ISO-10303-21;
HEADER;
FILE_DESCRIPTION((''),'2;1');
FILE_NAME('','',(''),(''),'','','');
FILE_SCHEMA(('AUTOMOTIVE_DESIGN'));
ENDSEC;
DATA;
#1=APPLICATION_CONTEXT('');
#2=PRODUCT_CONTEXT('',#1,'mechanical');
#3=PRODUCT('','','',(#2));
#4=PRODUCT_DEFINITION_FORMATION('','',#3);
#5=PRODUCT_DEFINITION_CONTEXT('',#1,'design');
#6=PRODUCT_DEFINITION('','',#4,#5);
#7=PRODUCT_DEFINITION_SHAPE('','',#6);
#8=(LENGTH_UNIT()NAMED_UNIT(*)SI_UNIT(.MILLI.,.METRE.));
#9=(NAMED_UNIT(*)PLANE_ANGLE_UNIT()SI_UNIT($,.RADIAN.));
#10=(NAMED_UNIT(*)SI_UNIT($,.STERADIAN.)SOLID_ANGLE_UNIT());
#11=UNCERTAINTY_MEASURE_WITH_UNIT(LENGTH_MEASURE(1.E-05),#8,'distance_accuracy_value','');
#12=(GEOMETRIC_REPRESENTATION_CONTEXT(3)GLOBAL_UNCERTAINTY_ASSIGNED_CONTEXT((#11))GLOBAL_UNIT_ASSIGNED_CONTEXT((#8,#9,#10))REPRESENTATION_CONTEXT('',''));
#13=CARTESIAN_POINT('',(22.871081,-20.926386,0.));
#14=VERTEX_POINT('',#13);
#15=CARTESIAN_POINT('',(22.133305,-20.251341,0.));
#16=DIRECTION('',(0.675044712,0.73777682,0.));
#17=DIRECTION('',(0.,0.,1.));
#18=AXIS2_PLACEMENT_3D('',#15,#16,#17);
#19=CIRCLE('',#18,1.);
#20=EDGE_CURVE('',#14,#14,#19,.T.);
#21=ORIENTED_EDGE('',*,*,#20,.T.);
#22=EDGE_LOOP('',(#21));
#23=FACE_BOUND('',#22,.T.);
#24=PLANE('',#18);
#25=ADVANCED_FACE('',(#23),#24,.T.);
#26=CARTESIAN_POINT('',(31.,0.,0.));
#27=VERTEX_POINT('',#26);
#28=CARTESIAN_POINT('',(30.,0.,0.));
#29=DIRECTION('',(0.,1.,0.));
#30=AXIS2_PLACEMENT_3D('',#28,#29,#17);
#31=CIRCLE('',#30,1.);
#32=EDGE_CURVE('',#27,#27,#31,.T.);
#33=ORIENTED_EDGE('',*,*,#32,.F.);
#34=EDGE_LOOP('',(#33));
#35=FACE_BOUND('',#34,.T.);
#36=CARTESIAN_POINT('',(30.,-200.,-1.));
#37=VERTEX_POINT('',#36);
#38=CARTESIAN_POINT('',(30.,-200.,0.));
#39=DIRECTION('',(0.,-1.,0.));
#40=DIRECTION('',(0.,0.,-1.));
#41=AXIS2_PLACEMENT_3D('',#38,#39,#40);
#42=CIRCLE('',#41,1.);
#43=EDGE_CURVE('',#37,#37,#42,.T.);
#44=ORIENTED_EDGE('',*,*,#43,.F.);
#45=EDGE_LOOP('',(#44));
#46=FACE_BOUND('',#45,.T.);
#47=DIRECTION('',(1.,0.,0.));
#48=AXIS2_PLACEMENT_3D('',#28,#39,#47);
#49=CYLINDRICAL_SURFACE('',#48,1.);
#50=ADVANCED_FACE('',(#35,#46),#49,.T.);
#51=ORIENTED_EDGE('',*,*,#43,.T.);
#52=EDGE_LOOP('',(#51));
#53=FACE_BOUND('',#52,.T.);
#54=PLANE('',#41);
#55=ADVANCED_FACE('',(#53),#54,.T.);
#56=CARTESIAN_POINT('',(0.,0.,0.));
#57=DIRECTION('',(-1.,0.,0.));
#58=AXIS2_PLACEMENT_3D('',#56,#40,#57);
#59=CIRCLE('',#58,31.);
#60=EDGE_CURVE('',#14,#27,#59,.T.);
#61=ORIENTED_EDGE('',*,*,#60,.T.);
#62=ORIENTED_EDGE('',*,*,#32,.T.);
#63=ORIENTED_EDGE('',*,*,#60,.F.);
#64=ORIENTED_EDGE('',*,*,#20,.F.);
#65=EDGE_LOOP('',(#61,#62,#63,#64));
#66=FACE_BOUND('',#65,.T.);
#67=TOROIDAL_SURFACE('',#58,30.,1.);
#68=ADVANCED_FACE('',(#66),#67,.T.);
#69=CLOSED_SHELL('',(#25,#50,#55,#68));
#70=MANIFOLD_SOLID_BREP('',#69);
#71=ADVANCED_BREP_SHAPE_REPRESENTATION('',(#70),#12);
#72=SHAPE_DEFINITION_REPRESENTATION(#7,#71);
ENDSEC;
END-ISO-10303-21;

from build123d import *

# Parameters (mm, degrees)
SKETCH3_R           = 1
SKETCH4_R           = 1
BOSS_EXTRUDE1_DEPTH = 100


with BuildPart() as part:
    # Sweep2: sweep along a path in Sketch1
    with BuildLine(Plane.XY) as sweep2_path:
        Line((30, -100), (30, 0))
        ThreePointArc((30, 0), (-27.964255202, 10.862800329), (22.133304601, -20.251341373))
    # Sketch3 → Sweep2 (sweep)
    with BuildSketch(Plane(origin=(0, -100, 0), x_dir=(1, 0, 0), z_dir=(0, 1, 0))):
        with Locations((30, 0)):
            Circle(SKETCH3_R)
    sweep(path=sweep2_path.line)

    # Sketch4 → Boss-Extrude1 (add)
    with BuildSketch(Plane.XZ.offset(100)):
        with Locations((30, 0)):
            Circle(SKETCH4_R)
    extrude(amount=BOSS_EXTRUDE1_DEPTH)


solid = part.part
